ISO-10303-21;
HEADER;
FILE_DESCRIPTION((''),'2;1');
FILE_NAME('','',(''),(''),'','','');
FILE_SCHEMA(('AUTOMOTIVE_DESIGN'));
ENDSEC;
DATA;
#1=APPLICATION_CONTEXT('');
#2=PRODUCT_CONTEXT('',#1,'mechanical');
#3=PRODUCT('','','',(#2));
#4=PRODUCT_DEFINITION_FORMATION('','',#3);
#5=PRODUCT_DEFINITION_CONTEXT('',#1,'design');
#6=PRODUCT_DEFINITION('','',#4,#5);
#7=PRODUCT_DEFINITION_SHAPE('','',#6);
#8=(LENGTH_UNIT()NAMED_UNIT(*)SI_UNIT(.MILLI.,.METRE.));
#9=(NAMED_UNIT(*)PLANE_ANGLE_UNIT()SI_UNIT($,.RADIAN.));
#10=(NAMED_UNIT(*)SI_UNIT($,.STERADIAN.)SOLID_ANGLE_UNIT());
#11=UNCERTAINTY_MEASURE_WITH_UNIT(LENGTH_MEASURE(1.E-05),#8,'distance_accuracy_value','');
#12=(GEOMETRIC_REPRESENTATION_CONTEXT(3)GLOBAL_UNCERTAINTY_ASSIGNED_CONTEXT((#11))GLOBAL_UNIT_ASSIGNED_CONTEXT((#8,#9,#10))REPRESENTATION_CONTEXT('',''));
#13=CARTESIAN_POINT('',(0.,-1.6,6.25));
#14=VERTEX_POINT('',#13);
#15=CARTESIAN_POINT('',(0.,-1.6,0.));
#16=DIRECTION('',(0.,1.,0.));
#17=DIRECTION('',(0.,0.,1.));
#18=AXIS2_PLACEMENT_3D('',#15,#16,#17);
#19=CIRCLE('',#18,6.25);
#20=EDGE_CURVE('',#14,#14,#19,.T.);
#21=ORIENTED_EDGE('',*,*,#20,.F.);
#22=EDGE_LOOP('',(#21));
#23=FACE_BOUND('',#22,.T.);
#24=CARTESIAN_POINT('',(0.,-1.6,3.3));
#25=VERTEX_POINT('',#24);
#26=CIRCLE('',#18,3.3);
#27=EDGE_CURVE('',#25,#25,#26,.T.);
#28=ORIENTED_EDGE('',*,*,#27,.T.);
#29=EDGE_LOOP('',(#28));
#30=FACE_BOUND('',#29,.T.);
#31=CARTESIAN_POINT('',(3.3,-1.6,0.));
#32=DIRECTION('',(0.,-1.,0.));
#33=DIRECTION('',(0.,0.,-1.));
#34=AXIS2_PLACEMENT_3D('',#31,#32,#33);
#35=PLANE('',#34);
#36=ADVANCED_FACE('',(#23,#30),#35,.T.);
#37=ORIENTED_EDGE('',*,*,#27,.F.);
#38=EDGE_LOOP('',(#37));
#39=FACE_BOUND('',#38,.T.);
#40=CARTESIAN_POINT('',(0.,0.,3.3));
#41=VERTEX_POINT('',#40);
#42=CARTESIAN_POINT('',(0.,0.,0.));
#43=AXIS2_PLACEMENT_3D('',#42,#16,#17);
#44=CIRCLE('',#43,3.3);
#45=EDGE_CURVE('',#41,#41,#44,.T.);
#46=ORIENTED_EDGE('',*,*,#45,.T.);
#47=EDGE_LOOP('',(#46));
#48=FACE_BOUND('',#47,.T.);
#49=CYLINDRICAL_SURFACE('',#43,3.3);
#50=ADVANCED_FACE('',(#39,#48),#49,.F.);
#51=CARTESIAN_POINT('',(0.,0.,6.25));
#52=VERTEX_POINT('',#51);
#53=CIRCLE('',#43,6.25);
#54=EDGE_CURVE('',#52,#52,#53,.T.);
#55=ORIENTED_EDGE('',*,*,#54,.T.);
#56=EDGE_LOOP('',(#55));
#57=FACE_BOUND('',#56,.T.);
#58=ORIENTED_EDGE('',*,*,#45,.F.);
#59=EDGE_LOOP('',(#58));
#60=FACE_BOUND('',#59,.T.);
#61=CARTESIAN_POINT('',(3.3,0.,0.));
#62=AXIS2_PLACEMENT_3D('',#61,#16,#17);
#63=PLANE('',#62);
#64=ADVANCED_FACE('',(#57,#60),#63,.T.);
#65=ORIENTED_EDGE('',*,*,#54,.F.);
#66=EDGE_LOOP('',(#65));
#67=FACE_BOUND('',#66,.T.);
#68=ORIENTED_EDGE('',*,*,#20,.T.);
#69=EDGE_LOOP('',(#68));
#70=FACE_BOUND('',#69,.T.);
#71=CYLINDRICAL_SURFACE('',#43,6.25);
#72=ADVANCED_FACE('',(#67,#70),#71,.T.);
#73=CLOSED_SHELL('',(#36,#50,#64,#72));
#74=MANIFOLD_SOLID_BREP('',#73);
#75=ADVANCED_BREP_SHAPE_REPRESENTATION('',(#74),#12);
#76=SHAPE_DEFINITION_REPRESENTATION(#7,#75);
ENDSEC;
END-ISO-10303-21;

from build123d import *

# Parameters (mm, degrees)
BODYSKE_W = 2.95
BODYSKE_H = 1.6


with BuildPart() as part:
    # BodySke → BaseBody (revolve)
    with BuildSketch(Plane(origin=(0, 0, 0), x_dir=(1, 0, 0), z_dir=(0, 0, -1)), mode=Mode.PRIVATE) as basebody_sk:
        with Locations((4.775, 0.8)):
            Rectangle(BODYSKE_W, BODYSKE_H)
    revolve(basebody_sk.sketch.rotate(Axis((0, 0, 0), (0, -1, 0)), 90), axis=Axis((0, 0, 0), (0, -1, 0)))


solid = part.part
